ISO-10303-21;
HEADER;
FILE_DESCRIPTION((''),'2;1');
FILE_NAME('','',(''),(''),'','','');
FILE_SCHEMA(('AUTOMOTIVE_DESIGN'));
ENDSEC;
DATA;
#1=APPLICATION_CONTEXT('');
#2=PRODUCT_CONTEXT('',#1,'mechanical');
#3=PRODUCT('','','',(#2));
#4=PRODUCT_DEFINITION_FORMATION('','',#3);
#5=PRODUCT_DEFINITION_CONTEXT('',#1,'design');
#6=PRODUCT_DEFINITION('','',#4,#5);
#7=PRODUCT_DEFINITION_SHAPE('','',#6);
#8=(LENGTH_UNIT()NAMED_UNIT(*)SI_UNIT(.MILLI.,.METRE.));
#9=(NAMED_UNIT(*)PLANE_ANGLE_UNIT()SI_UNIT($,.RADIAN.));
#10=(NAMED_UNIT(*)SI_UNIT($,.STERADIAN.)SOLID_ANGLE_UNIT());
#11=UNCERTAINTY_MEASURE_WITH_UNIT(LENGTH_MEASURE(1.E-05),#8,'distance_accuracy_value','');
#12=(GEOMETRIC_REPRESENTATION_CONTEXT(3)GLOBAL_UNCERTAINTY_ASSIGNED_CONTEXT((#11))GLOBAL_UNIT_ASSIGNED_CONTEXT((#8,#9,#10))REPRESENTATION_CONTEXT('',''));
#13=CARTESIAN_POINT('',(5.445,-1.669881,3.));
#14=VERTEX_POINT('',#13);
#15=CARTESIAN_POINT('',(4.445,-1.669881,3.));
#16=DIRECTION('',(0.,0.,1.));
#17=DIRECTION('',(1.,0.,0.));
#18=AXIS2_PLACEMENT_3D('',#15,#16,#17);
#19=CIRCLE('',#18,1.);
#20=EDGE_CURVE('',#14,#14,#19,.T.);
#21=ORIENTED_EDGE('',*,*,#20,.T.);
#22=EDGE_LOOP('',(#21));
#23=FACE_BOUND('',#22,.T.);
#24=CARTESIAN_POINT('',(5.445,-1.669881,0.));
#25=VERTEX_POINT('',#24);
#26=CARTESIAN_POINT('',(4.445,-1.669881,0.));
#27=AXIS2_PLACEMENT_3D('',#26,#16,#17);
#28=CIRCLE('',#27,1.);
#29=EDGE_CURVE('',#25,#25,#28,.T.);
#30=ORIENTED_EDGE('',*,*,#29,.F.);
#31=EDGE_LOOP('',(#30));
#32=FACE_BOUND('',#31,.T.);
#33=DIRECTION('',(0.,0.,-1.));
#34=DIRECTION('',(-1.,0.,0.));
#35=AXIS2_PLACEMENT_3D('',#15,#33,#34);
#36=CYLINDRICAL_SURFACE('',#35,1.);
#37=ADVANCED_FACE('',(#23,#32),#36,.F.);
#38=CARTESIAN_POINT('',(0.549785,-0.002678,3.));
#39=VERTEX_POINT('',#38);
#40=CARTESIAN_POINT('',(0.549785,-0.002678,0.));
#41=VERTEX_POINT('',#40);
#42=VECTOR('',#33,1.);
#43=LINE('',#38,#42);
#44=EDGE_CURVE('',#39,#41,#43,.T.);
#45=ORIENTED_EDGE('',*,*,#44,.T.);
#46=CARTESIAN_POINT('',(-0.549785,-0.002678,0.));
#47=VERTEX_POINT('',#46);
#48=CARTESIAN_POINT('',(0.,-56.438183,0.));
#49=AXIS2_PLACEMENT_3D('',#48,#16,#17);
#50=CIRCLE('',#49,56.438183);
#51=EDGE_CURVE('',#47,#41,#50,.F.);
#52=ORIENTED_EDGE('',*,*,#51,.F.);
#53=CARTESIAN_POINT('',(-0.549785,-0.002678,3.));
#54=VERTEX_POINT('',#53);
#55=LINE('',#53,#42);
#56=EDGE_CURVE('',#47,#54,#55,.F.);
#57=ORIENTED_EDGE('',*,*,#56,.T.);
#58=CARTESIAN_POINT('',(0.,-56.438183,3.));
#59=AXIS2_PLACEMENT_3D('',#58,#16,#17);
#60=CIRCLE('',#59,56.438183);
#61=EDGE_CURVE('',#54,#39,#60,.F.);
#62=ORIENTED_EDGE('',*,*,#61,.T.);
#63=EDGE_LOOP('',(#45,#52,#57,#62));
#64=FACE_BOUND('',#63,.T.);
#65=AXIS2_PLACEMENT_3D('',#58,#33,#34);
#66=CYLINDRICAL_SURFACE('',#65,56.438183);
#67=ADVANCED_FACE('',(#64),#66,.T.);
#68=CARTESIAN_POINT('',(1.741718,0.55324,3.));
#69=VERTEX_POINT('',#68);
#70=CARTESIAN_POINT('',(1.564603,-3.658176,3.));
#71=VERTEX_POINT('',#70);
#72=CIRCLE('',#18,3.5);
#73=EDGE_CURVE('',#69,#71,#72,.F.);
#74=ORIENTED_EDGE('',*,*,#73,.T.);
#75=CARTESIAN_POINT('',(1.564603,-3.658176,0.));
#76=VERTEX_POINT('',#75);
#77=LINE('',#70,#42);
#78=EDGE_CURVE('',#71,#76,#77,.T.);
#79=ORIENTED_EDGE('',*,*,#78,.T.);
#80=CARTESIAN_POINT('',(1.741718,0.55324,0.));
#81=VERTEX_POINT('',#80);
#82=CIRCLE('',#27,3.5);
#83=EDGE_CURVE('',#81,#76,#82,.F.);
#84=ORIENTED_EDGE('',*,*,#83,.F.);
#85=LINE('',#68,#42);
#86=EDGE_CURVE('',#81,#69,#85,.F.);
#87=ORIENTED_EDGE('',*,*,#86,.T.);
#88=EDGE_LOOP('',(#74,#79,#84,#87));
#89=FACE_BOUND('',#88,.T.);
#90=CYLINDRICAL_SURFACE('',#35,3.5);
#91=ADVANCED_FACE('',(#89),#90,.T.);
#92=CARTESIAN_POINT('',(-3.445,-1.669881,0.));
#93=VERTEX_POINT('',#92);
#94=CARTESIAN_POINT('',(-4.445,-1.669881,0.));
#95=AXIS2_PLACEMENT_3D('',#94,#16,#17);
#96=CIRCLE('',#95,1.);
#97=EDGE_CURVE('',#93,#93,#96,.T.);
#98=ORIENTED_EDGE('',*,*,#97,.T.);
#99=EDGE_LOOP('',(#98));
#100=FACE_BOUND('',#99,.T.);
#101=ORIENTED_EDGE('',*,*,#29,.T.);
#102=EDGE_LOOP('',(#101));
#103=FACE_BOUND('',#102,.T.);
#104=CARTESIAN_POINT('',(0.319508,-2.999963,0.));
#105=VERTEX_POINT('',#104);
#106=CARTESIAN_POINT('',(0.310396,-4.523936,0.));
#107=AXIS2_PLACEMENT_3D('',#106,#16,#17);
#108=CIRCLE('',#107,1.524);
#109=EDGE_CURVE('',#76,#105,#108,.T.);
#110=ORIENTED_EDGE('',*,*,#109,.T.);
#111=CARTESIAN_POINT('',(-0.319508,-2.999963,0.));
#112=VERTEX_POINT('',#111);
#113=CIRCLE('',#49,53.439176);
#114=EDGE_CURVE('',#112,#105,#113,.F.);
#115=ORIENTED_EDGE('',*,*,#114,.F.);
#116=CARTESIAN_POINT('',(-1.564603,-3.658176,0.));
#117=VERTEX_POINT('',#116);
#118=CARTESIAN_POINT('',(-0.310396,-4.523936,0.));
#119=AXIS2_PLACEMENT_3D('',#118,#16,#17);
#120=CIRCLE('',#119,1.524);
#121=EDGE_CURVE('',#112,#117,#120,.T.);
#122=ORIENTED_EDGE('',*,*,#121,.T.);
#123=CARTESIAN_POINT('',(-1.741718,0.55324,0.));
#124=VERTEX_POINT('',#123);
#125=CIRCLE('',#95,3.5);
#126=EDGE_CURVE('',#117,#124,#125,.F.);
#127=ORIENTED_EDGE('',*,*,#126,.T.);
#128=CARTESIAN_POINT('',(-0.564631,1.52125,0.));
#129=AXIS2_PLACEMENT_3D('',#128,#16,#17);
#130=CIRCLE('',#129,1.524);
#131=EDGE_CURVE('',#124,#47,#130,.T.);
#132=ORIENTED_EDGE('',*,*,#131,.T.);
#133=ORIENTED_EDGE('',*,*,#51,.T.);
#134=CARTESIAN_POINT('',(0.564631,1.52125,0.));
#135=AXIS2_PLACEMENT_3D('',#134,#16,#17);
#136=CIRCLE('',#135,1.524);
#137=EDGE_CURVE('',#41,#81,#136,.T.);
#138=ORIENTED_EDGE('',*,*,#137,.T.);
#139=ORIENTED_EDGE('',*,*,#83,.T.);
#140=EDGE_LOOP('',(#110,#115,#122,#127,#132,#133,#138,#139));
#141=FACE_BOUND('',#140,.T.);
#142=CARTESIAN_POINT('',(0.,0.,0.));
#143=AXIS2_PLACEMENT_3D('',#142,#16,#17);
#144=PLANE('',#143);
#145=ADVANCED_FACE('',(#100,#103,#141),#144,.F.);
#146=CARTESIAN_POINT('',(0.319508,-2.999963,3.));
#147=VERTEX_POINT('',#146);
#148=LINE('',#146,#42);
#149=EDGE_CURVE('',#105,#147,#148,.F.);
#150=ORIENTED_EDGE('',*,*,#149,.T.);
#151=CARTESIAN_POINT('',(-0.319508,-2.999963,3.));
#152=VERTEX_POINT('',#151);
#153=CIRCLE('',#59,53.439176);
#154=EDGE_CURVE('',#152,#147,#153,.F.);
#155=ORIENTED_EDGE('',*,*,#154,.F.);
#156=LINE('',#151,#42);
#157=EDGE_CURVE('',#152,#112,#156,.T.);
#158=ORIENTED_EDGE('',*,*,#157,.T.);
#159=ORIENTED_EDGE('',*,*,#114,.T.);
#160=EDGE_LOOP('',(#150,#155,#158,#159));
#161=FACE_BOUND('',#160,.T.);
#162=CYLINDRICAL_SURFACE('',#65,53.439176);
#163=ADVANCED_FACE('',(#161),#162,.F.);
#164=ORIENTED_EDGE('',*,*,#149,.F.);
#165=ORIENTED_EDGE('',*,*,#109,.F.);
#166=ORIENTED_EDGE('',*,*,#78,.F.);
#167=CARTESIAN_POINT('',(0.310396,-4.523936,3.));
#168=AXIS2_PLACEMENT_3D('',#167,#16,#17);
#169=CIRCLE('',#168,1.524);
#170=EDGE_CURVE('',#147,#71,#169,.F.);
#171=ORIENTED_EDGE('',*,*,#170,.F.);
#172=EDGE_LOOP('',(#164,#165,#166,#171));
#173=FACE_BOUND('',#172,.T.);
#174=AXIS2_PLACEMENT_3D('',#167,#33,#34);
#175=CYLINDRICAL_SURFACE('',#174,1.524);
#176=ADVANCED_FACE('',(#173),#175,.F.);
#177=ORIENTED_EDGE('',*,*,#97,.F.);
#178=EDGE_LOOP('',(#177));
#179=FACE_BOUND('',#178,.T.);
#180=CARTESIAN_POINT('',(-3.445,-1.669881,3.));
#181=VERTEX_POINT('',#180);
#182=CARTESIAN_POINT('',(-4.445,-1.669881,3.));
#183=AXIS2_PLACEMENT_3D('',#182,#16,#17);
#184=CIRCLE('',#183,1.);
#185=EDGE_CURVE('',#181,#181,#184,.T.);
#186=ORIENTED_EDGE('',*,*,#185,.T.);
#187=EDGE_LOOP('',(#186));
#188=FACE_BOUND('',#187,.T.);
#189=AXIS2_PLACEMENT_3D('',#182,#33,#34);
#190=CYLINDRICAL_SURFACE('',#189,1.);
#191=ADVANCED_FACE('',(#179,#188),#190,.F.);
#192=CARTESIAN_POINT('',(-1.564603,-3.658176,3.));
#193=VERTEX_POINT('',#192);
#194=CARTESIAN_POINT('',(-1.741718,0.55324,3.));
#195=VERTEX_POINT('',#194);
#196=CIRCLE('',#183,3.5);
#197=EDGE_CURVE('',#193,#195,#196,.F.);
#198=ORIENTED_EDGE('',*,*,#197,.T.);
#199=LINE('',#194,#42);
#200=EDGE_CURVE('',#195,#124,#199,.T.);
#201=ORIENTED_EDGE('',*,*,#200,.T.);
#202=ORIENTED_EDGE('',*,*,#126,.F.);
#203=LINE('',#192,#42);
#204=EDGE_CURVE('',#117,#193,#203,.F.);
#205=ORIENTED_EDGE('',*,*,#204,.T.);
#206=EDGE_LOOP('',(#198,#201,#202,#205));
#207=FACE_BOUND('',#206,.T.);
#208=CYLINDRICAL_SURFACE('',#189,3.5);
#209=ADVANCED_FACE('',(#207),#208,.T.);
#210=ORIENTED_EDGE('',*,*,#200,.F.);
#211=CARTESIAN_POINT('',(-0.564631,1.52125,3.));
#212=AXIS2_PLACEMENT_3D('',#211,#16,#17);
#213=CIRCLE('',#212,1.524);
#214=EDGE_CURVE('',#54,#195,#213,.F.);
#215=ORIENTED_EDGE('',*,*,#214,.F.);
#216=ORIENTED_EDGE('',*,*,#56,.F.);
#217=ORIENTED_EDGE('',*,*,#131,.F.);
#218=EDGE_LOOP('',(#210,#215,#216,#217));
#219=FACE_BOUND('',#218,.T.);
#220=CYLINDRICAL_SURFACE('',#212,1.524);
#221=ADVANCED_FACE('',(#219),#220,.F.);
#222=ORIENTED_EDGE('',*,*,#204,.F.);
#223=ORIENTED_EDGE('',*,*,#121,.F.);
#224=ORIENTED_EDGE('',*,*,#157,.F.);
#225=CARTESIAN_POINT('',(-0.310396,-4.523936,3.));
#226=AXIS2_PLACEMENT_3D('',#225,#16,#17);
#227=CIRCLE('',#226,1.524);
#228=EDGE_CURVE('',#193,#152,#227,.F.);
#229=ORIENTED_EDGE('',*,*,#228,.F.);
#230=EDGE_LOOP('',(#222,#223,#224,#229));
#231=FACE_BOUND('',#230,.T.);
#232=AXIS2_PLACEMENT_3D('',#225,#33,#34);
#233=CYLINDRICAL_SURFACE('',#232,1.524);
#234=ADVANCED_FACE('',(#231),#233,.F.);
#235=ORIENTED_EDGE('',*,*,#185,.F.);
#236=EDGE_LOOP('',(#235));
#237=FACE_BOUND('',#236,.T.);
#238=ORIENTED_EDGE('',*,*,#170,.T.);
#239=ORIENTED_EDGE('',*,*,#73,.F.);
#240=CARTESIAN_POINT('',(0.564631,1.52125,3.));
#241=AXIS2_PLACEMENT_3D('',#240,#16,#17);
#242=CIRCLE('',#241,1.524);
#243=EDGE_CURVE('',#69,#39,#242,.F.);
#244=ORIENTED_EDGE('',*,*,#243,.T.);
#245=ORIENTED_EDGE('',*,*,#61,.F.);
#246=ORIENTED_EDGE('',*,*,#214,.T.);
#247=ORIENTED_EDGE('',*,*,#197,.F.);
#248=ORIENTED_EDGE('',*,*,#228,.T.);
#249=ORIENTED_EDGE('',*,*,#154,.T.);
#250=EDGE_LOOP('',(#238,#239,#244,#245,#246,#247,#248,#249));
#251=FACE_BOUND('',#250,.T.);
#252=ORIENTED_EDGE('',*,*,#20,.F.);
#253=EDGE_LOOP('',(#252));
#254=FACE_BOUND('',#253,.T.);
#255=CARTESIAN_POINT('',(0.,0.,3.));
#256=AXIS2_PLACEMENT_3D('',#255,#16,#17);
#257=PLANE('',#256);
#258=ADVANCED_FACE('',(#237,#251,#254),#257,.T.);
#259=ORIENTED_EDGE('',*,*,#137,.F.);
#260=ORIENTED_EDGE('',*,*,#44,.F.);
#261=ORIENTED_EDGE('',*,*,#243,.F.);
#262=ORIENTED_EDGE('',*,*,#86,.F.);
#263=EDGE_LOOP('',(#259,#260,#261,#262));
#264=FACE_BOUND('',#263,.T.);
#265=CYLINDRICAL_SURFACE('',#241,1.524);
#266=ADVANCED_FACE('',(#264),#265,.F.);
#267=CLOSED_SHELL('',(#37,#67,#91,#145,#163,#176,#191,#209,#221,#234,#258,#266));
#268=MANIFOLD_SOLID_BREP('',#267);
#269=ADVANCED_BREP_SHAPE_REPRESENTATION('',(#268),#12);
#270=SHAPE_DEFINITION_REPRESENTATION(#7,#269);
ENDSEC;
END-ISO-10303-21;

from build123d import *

# Parameters (mm, degrees)
SKETCH_1_R      = 1
EXTRUDE_1_DEPTH = 3
FILLET_1_R      = 1.524


with BuildPart() as part:
    # 스케치1 → 보스-돌출1 (new body)
    with BuildSketch(Plane.XY):
        with BuildLine():
            ThreePointArc((1.360201973, -0.016393318), (7.940776925, -1.84176367), (1.212873871, -3.012773539))
            ThreePointArc((1.212873871, -3.012773539), (0, -2.999007865), (-1.212873871, -3.012773539))
            ThreePointArc((-1.212873871, -3.012773539), (-7.940776925, -1.84176367), (-1.360201973, -0.016393318))
            ThreePointArc((-1.360201973, -0.016393318), (0, 0), (1.360201973, -0.016393318))
        make_face()
        with Locations((-4.445, -1.669880884)):
            Circle(SKETCH_1_R, mode=Mode.SUBTRACT)
        with Locations((4.445, -1.669880884)):
            Circle(SKETCH_1_R, mode=Mode.SUBTRACT)
    extrude(amount=EXTRUDE_1_DEPTH)

    # 필렛1
    fillet_1_edges = [part.edges().sort_by_distance(p)[0] for p in [
        (-1.360201973, -0.016393318, 1.5),
        (1.360201973, -0.016393318, 1.5),
        (1.212873871, -3.012773539, 1.5),
        (-1.212873871, -3.012773539, 1.5),
    ]]
    fillet(fillet_1_edges, radius=FILLET_1_R)


solid = part.part
